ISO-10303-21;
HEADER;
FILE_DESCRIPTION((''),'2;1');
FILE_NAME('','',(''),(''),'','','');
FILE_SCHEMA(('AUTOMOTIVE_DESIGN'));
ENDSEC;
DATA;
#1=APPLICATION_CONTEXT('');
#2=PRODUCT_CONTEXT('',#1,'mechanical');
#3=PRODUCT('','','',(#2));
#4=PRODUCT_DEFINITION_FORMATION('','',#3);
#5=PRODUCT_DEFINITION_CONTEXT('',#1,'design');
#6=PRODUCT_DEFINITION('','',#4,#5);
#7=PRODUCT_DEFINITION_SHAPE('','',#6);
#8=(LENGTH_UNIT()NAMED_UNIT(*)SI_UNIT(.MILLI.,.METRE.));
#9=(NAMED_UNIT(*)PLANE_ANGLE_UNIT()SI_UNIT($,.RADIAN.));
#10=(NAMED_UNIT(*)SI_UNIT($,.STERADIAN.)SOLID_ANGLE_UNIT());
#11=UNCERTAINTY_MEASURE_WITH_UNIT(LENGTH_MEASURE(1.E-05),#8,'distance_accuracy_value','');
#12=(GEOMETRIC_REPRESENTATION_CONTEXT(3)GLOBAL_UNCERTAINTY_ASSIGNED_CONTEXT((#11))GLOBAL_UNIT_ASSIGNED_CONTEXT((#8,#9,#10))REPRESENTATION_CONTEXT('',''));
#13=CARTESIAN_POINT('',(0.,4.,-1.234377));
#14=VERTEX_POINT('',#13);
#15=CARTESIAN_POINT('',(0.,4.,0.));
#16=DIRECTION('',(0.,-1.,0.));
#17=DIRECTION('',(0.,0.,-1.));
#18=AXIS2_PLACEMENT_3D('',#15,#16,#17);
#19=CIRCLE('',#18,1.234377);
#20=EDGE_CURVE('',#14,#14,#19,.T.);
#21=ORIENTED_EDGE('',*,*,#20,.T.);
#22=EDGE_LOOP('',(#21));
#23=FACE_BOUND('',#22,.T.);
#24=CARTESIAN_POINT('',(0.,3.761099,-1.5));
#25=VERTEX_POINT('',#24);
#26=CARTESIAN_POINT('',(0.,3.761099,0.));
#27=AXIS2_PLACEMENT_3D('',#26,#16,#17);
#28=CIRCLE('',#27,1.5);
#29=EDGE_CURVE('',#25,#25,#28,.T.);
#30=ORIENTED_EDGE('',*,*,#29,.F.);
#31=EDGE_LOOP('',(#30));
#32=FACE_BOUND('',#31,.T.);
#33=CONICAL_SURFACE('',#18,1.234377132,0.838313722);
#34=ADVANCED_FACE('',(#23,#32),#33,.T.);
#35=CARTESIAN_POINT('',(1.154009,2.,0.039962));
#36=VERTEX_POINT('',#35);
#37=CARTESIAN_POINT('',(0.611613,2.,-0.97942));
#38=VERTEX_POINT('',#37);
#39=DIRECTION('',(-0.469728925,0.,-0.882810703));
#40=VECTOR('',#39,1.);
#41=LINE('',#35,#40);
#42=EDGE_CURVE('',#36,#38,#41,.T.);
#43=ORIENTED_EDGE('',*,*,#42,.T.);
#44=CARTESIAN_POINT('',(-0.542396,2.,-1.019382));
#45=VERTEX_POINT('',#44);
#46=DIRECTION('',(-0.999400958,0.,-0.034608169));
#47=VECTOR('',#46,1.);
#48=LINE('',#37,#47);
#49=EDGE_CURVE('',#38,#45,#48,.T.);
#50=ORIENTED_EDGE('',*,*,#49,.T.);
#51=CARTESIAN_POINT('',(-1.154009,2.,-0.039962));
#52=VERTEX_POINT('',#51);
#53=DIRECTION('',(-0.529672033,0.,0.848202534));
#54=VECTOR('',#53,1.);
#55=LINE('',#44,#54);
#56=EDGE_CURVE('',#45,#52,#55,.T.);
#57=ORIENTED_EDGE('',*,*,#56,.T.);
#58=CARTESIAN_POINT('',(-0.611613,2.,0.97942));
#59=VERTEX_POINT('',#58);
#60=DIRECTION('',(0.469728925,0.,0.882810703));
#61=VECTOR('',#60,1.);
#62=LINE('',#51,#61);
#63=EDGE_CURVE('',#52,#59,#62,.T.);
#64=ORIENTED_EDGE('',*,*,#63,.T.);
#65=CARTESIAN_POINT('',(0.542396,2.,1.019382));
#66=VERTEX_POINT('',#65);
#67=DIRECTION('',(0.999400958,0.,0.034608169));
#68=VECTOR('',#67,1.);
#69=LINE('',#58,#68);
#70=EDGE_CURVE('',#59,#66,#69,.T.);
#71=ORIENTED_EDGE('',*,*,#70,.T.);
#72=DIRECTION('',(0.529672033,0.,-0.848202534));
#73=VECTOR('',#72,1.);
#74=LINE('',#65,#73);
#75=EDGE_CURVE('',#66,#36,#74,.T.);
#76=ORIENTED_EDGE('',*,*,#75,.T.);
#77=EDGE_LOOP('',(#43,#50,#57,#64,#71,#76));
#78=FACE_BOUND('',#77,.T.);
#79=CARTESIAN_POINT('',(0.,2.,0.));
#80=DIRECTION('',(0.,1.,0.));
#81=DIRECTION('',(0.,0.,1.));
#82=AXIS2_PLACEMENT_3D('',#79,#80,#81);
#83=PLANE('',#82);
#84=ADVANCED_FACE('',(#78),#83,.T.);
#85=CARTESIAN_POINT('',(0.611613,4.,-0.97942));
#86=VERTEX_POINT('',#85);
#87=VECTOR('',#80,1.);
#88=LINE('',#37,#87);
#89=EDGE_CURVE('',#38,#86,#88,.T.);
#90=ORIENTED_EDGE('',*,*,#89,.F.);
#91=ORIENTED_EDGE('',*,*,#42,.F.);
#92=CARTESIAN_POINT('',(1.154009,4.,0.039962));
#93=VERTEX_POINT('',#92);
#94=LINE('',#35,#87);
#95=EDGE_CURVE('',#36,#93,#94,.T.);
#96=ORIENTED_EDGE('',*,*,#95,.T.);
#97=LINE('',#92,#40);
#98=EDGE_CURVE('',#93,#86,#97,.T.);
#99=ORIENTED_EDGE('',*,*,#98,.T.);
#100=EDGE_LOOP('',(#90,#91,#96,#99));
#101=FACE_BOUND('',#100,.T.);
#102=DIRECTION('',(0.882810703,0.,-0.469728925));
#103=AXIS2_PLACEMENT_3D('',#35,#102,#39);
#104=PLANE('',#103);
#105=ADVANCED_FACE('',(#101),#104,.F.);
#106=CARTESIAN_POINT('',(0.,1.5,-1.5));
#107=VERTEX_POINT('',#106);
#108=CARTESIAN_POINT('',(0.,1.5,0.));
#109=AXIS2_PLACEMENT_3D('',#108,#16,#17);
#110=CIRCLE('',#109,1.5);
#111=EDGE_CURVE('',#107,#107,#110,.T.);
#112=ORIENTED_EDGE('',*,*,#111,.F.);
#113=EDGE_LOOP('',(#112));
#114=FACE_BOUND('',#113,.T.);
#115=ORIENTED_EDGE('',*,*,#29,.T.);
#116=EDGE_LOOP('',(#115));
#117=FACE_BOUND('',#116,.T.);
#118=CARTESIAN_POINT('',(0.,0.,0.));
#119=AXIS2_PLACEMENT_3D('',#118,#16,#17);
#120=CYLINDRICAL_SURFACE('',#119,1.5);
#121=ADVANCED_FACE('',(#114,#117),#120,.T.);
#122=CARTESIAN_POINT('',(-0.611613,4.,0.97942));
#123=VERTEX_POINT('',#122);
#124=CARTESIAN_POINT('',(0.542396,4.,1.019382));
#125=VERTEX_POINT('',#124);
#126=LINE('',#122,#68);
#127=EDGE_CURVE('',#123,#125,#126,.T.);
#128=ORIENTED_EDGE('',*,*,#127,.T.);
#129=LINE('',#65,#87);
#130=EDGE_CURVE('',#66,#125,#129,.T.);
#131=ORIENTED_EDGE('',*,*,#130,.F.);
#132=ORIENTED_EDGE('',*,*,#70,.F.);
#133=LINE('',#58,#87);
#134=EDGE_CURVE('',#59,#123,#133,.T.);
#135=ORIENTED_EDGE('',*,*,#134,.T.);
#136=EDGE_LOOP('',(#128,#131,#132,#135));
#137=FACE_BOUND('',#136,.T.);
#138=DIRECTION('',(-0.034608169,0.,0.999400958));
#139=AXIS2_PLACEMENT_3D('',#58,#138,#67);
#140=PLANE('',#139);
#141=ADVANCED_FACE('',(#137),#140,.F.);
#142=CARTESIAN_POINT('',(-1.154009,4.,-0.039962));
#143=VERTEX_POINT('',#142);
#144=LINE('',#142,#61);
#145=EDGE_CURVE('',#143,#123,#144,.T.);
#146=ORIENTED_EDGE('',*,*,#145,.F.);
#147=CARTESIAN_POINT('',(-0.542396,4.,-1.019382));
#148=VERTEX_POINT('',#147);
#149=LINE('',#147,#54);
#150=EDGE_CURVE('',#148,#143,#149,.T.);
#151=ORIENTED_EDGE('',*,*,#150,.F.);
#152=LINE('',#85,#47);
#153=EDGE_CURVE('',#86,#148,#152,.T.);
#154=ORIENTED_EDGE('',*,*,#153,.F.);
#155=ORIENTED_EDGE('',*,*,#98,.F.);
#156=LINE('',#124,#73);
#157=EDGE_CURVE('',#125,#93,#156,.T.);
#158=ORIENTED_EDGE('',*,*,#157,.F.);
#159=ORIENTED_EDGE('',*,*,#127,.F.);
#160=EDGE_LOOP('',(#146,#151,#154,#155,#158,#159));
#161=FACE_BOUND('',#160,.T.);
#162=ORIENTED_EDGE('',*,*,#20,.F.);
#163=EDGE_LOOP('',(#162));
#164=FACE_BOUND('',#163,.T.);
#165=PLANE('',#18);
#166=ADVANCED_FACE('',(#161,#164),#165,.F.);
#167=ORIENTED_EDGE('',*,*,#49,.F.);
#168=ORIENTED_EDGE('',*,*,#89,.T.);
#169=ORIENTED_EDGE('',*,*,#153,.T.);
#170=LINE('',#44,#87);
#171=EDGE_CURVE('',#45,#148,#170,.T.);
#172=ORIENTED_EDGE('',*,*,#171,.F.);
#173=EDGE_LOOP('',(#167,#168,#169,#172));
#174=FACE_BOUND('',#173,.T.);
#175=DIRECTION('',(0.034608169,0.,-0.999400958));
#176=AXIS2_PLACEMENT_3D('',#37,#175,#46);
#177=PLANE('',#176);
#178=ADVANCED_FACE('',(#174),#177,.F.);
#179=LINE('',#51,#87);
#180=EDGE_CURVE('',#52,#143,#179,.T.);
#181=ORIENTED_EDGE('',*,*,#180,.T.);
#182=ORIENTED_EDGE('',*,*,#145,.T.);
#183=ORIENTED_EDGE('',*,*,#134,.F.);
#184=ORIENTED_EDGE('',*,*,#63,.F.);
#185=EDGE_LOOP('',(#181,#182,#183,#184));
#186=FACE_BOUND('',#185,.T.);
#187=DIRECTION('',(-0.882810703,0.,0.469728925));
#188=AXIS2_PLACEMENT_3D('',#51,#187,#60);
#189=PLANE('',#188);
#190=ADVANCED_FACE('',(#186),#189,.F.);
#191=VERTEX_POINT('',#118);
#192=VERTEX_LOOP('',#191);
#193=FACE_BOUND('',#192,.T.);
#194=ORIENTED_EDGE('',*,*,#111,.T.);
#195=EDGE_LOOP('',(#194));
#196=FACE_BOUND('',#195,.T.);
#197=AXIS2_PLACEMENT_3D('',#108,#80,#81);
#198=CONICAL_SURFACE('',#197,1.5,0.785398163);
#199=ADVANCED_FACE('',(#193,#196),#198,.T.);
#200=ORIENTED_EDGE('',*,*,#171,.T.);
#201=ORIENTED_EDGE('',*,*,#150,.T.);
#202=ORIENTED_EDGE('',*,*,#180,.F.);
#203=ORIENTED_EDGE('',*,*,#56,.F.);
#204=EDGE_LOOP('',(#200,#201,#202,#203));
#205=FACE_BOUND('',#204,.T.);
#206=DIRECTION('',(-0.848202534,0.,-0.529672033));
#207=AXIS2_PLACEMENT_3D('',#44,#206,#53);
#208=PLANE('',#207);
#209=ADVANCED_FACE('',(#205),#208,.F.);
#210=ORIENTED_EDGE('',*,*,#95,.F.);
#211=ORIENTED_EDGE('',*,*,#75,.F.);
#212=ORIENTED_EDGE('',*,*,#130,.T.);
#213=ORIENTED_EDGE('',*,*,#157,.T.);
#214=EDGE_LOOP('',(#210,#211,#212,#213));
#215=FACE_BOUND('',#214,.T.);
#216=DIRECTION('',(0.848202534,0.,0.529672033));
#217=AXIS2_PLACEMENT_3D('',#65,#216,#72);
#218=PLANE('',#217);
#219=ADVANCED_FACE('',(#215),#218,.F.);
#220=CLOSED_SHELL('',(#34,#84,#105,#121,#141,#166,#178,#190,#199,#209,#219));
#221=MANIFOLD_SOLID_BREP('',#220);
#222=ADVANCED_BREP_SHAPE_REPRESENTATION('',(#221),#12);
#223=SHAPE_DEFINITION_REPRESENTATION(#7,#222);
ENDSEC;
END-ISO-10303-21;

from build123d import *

# Parameters (mm, degrees)
CUT_EXTRUDE_1_DEPTH = 2


with BuildPart() as part:
    # Эскиз1 → Повернуть1 (revolve)
    with BuildSketch(Plane.XY, mode=Mode.PRIVATE) as revolve_1_sk:
        Polygon((0, 0), (0, 4), (-1.234377132, 4), (-1.5, 3.761099228), (-1.5, 1.5), align=None)
    revolve(revolve_1_sk.sketch.rotate(Axis((0, 0, 0), (0, 1, 0)), 270), axis=Axis((0, 0, 0), (0, 1, 0)))

    # Эскиз2 → Вырез-Вытянуть1 (cut)
    with BuildSketch(Plane(origin=(0, 4, 0), x_dir=(1, 0, 0), z_dir=(0, 1, 0))):
        Polygon((-0.611612581, -0.979419922), (0.542396243, -1.019381994), (1.154008824, -0.039962072), (0.611612581, 0.979419922), (-0.542396243, 1.019381994), (-1.154008824, 0.039962072), align=None)
    extrude(amount=-CUT_EXTRUDE_1_DEPTH, mode=Mode.SUBTRACT)


solid = part.part
